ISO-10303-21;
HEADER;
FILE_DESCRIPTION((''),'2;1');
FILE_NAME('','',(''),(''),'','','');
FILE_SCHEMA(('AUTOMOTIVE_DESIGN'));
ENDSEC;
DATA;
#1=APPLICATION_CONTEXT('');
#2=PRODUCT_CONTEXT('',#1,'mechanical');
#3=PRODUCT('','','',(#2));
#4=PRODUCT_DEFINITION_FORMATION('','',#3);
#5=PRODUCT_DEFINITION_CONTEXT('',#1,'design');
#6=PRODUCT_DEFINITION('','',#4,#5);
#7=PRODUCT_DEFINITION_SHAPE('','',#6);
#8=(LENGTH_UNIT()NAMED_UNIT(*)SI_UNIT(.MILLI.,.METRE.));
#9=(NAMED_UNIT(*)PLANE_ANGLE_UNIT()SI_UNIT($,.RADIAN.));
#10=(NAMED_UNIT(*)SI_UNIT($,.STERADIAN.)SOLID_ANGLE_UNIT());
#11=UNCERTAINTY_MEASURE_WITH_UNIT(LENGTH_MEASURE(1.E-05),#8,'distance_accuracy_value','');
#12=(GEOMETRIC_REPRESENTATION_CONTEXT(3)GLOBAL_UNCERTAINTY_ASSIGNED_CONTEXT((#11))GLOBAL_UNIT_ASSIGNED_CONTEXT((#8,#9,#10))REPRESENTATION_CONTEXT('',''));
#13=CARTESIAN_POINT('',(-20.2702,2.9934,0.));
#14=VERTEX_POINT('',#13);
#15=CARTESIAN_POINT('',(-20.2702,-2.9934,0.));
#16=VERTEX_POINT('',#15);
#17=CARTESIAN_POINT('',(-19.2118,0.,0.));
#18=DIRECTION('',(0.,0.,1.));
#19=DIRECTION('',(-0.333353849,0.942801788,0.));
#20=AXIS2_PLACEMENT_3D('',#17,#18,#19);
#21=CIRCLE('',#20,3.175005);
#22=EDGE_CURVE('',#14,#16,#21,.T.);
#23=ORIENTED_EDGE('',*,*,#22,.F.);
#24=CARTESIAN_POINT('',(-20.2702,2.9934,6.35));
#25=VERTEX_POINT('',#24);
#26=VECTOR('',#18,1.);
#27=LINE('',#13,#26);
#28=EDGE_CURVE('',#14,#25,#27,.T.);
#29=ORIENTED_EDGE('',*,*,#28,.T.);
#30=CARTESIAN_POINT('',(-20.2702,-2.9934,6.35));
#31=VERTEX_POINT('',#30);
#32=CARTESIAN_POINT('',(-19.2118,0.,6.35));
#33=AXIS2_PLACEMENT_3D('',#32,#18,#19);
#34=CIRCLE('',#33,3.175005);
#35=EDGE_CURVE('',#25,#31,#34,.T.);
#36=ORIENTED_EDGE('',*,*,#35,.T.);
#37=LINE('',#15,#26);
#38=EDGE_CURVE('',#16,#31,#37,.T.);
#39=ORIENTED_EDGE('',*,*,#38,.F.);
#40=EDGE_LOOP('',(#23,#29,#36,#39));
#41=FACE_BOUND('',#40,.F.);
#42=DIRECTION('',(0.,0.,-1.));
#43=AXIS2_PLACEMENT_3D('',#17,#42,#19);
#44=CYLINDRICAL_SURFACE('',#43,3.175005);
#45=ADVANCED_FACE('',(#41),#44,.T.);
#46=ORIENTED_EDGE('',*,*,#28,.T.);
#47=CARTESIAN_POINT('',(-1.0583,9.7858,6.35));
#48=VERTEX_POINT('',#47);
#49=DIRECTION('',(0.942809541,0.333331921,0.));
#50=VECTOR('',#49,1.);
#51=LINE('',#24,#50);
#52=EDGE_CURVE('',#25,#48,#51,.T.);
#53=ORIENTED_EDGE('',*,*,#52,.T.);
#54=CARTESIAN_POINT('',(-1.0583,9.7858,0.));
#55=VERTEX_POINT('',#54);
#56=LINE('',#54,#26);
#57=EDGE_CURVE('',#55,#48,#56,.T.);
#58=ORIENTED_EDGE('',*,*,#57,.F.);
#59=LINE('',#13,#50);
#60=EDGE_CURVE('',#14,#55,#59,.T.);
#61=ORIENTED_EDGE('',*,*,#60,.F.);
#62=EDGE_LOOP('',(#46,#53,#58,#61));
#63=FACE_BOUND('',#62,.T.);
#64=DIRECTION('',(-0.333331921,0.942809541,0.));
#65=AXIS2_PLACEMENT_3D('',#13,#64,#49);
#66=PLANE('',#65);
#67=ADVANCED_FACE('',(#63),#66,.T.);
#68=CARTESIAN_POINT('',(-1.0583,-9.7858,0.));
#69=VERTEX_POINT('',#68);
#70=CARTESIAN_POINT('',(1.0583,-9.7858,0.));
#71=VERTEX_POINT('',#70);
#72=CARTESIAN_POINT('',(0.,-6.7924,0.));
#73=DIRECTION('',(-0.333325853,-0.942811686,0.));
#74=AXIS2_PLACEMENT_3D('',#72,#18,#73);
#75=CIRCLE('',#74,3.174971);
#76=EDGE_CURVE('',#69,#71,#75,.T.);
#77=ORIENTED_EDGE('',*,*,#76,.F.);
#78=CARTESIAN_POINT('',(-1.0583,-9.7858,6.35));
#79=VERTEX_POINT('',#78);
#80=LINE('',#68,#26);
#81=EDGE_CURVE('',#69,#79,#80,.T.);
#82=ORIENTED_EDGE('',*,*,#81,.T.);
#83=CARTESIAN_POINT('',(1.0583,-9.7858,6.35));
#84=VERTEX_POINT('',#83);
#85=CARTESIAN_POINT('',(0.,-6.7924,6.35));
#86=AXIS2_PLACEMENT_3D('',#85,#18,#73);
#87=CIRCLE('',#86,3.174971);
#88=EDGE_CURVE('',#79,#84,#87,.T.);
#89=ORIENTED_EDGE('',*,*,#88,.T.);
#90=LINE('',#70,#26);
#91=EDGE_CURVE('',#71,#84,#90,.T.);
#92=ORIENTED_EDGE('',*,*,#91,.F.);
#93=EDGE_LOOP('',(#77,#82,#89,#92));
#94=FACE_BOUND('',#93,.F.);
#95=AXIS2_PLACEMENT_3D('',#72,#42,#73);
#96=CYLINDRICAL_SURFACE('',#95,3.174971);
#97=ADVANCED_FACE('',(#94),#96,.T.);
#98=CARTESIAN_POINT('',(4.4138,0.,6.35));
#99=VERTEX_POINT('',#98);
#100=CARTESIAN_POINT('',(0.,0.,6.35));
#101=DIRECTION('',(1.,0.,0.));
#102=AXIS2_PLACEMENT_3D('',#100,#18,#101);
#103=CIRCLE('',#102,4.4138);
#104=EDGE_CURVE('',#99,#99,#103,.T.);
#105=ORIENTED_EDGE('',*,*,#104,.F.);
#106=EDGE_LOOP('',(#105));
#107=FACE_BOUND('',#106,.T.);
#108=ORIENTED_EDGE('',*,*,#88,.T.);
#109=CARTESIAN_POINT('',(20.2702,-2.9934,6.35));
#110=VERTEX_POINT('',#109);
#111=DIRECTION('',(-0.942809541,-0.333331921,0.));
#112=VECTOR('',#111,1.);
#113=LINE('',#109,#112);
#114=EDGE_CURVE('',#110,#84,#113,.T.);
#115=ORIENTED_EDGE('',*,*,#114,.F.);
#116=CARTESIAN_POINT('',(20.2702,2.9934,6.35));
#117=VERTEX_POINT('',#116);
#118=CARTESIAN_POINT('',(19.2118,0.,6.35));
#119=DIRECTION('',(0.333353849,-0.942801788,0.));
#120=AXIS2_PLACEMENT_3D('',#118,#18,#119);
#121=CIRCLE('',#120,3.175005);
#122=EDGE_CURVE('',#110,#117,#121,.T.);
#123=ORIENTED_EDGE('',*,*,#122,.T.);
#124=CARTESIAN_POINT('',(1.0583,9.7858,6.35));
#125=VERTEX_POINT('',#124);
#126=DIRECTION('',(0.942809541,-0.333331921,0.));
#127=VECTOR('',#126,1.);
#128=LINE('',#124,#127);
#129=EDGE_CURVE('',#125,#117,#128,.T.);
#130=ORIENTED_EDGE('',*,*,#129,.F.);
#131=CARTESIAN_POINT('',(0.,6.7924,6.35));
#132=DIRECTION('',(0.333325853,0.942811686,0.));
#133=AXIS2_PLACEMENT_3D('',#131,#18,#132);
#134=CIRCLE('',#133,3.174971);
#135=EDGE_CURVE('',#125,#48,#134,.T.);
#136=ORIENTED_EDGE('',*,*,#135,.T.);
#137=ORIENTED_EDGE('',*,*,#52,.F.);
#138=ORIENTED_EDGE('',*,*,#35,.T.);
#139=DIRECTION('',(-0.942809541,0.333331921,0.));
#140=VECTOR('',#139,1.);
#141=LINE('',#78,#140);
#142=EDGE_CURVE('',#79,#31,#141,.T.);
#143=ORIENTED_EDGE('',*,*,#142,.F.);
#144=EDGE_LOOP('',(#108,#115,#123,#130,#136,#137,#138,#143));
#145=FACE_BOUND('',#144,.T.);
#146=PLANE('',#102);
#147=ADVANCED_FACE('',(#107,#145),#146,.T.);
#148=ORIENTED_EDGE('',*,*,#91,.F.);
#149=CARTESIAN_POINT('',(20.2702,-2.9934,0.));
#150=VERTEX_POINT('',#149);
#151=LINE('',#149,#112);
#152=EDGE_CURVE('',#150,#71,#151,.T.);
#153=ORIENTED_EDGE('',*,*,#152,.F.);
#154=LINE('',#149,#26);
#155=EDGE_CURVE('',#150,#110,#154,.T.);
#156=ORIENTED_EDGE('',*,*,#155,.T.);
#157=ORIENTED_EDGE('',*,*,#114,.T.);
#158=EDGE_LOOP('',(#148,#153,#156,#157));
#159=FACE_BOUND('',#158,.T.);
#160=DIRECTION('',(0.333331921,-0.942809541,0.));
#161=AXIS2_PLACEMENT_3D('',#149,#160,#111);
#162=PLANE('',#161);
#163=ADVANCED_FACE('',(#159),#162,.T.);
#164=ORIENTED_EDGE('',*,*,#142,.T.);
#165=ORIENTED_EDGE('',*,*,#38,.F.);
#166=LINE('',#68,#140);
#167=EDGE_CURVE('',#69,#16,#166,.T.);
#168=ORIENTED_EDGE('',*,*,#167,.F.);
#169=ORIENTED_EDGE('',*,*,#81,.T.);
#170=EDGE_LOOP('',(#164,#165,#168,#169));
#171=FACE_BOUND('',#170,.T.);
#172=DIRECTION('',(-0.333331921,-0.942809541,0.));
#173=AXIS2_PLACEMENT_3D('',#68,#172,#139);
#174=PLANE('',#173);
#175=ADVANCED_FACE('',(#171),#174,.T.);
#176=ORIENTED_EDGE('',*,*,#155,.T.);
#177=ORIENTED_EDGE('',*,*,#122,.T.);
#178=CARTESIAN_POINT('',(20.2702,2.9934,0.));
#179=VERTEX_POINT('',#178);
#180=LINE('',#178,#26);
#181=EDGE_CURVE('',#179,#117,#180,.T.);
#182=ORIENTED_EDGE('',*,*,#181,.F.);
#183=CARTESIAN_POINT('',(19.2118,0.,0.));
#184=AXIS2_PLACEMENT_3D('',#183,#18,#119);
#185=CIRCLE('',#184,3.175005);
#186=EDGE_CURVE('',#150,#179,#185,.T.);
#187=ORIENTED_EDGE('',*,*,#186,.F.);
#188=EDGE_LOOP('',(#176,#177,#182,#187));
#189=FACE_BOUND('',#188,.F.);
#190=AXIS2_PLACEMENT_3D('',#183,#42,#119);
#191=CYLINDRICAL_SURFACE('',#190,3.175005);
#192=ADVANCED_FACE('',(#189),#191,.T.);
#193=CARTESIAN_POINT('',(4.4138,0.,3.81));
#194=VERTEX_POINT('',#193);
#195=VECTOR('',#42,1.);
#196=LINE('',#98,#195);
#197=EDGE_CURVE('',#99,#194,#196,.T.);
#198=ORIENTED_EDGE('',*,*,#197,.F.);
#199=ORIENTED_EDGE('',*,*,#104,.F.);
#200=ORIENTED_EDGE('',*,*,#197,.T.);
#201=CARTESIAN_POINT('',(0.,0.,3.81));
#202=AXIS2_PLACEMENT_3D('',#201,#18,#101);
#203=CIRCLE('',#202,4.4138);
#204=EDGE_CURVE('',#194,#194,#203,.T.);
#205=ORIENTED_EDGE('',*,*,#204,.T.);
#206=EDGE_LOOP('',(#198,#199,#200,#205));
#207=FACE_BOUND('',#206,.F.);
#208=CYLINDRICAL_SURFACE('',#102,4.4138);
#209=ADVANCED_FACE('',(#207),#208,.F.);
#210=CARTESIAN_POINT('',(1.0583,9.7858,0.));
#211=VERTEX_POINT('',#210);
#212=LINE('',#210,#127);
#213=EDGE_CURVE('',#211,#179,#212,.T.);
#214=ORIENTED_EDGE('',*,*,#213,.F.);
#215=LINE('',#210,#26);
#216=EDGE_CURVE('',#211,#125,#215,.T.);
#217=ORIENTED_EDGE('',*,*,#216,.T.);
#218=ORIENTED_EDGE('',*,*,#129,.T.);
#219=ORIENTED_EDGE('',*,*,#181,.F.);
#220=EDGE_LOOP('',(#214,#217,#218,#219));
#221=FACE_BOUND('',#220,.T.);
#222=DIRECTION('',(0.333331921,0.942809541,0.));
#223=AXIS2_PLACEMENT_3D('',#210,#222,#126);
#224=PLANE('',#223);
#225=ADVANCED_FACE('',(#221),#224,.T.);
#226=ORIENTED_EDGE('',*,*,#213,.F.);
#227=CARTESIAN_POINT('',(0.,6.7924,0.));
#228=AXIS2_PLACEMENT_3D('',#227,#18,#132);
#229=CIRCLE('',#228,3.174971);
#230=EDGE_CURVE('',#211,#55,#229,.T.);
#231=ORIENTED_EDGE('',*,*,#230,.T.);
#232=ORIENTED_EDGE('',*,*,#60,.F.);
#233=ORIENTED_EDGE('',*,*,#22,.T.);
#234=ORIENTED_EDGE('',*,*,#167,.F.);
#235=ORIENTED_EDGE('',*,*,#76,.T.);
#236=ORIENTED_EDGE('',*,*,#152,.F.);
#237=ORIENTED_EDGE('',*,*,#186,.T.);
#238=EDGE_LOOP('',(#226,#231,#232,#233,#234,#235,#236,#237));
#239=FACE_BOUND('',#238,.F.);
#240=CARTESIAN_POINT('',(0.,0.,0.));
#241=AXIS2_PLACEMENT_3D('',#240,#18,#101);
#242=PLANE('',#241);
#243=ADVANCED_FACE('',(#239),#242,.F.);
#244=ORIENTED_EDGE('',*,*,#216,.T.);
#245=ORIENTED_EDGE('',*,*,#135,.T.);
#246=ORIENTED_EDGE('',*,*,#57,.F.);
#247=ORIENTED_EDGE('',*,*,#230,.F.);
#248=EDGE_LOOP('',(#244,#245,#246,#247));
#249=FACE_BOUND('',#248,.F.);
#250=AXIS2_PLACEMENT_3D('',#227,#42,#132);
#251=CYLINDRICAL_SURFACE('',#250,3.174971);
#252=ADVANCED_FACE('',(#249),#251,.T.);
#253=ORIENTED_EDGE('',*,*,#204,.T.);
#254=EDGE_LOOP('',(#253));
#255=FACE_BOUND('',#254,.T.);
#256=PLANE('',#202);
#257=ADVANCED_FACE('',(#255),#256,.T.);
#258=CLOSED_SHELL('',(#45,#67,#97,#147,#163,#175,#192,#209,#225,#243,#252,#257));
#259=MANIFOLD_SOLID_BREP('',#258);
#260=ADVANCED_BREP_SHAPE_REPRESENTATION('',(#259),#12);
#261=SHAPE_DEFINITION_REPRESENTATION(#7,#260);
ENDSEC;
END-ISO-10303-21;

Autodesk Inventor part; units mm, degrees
ref_plane "YZ Plane" through (0, 0, 0) normal (1, 0, 0) x (0, 1, 0)
ref_plane "XZ Plane" through (0, 0, 0) normal (0, 1, 0) x (-1, 0, 0)
ref_plane "XY Plane" through (0, 0, 0) normal (0, 0, 1) x (1, 0, 0)
sketch "Sketch1" plane through (0, 0, 0) normal (0, 0, 1) x (1, 0, 0)
  line L0 (1.0583, 9.7858) -> (20.2702, 2.9934)
  line L1 (20.2702, -2.9934) -> (1.0583, -9.7858)
  line L2 (-1.0583, -9.7858) -> (-20.2702, -2.9934)
  line L3 (-20.2702, 2.9934) -> (-1.0583, 9.7858)
  arc A0 (20.2702, -2.9934) -> (20.2702, 2.9934) centre (19.2118, 0) ccw
  arc A1 (-20.2702, 2.9934) -> (-20.2702, -2.9934) centre (-19.2118, 0) ccw
  arc A2 (1.0583, 9.7858) -> (-1.0583, 9.7858) centre (0, 6.7924) ccw
  arc A3 (-1.0583, -9.7858) -> (1.0583, -9.7858) centre (0, -6.7924) ccw
  point P0 (0, 10.16)
  point P1 (28.7368, 0)
  point P2 (0, -10.16)
  point P3 (-28.7368, 0)
  point P4 (0, 0)
  dimension "d0" = 30.48
  dimension "d1" = 20.32
  dimension "d2" = 3.175
extrude "Extrusion1" add sketch "Sketch1" along normal blind 6.35
sketch "Sketch2" plane through (0, 0, 6.35) normal (0, 0, 1) x (1, 0, 0)
  circle A0 centre (0, 0) radius 4.4138
extrude "Extrusion2" cut sketch "Sketch2" against normal blind 2.54
